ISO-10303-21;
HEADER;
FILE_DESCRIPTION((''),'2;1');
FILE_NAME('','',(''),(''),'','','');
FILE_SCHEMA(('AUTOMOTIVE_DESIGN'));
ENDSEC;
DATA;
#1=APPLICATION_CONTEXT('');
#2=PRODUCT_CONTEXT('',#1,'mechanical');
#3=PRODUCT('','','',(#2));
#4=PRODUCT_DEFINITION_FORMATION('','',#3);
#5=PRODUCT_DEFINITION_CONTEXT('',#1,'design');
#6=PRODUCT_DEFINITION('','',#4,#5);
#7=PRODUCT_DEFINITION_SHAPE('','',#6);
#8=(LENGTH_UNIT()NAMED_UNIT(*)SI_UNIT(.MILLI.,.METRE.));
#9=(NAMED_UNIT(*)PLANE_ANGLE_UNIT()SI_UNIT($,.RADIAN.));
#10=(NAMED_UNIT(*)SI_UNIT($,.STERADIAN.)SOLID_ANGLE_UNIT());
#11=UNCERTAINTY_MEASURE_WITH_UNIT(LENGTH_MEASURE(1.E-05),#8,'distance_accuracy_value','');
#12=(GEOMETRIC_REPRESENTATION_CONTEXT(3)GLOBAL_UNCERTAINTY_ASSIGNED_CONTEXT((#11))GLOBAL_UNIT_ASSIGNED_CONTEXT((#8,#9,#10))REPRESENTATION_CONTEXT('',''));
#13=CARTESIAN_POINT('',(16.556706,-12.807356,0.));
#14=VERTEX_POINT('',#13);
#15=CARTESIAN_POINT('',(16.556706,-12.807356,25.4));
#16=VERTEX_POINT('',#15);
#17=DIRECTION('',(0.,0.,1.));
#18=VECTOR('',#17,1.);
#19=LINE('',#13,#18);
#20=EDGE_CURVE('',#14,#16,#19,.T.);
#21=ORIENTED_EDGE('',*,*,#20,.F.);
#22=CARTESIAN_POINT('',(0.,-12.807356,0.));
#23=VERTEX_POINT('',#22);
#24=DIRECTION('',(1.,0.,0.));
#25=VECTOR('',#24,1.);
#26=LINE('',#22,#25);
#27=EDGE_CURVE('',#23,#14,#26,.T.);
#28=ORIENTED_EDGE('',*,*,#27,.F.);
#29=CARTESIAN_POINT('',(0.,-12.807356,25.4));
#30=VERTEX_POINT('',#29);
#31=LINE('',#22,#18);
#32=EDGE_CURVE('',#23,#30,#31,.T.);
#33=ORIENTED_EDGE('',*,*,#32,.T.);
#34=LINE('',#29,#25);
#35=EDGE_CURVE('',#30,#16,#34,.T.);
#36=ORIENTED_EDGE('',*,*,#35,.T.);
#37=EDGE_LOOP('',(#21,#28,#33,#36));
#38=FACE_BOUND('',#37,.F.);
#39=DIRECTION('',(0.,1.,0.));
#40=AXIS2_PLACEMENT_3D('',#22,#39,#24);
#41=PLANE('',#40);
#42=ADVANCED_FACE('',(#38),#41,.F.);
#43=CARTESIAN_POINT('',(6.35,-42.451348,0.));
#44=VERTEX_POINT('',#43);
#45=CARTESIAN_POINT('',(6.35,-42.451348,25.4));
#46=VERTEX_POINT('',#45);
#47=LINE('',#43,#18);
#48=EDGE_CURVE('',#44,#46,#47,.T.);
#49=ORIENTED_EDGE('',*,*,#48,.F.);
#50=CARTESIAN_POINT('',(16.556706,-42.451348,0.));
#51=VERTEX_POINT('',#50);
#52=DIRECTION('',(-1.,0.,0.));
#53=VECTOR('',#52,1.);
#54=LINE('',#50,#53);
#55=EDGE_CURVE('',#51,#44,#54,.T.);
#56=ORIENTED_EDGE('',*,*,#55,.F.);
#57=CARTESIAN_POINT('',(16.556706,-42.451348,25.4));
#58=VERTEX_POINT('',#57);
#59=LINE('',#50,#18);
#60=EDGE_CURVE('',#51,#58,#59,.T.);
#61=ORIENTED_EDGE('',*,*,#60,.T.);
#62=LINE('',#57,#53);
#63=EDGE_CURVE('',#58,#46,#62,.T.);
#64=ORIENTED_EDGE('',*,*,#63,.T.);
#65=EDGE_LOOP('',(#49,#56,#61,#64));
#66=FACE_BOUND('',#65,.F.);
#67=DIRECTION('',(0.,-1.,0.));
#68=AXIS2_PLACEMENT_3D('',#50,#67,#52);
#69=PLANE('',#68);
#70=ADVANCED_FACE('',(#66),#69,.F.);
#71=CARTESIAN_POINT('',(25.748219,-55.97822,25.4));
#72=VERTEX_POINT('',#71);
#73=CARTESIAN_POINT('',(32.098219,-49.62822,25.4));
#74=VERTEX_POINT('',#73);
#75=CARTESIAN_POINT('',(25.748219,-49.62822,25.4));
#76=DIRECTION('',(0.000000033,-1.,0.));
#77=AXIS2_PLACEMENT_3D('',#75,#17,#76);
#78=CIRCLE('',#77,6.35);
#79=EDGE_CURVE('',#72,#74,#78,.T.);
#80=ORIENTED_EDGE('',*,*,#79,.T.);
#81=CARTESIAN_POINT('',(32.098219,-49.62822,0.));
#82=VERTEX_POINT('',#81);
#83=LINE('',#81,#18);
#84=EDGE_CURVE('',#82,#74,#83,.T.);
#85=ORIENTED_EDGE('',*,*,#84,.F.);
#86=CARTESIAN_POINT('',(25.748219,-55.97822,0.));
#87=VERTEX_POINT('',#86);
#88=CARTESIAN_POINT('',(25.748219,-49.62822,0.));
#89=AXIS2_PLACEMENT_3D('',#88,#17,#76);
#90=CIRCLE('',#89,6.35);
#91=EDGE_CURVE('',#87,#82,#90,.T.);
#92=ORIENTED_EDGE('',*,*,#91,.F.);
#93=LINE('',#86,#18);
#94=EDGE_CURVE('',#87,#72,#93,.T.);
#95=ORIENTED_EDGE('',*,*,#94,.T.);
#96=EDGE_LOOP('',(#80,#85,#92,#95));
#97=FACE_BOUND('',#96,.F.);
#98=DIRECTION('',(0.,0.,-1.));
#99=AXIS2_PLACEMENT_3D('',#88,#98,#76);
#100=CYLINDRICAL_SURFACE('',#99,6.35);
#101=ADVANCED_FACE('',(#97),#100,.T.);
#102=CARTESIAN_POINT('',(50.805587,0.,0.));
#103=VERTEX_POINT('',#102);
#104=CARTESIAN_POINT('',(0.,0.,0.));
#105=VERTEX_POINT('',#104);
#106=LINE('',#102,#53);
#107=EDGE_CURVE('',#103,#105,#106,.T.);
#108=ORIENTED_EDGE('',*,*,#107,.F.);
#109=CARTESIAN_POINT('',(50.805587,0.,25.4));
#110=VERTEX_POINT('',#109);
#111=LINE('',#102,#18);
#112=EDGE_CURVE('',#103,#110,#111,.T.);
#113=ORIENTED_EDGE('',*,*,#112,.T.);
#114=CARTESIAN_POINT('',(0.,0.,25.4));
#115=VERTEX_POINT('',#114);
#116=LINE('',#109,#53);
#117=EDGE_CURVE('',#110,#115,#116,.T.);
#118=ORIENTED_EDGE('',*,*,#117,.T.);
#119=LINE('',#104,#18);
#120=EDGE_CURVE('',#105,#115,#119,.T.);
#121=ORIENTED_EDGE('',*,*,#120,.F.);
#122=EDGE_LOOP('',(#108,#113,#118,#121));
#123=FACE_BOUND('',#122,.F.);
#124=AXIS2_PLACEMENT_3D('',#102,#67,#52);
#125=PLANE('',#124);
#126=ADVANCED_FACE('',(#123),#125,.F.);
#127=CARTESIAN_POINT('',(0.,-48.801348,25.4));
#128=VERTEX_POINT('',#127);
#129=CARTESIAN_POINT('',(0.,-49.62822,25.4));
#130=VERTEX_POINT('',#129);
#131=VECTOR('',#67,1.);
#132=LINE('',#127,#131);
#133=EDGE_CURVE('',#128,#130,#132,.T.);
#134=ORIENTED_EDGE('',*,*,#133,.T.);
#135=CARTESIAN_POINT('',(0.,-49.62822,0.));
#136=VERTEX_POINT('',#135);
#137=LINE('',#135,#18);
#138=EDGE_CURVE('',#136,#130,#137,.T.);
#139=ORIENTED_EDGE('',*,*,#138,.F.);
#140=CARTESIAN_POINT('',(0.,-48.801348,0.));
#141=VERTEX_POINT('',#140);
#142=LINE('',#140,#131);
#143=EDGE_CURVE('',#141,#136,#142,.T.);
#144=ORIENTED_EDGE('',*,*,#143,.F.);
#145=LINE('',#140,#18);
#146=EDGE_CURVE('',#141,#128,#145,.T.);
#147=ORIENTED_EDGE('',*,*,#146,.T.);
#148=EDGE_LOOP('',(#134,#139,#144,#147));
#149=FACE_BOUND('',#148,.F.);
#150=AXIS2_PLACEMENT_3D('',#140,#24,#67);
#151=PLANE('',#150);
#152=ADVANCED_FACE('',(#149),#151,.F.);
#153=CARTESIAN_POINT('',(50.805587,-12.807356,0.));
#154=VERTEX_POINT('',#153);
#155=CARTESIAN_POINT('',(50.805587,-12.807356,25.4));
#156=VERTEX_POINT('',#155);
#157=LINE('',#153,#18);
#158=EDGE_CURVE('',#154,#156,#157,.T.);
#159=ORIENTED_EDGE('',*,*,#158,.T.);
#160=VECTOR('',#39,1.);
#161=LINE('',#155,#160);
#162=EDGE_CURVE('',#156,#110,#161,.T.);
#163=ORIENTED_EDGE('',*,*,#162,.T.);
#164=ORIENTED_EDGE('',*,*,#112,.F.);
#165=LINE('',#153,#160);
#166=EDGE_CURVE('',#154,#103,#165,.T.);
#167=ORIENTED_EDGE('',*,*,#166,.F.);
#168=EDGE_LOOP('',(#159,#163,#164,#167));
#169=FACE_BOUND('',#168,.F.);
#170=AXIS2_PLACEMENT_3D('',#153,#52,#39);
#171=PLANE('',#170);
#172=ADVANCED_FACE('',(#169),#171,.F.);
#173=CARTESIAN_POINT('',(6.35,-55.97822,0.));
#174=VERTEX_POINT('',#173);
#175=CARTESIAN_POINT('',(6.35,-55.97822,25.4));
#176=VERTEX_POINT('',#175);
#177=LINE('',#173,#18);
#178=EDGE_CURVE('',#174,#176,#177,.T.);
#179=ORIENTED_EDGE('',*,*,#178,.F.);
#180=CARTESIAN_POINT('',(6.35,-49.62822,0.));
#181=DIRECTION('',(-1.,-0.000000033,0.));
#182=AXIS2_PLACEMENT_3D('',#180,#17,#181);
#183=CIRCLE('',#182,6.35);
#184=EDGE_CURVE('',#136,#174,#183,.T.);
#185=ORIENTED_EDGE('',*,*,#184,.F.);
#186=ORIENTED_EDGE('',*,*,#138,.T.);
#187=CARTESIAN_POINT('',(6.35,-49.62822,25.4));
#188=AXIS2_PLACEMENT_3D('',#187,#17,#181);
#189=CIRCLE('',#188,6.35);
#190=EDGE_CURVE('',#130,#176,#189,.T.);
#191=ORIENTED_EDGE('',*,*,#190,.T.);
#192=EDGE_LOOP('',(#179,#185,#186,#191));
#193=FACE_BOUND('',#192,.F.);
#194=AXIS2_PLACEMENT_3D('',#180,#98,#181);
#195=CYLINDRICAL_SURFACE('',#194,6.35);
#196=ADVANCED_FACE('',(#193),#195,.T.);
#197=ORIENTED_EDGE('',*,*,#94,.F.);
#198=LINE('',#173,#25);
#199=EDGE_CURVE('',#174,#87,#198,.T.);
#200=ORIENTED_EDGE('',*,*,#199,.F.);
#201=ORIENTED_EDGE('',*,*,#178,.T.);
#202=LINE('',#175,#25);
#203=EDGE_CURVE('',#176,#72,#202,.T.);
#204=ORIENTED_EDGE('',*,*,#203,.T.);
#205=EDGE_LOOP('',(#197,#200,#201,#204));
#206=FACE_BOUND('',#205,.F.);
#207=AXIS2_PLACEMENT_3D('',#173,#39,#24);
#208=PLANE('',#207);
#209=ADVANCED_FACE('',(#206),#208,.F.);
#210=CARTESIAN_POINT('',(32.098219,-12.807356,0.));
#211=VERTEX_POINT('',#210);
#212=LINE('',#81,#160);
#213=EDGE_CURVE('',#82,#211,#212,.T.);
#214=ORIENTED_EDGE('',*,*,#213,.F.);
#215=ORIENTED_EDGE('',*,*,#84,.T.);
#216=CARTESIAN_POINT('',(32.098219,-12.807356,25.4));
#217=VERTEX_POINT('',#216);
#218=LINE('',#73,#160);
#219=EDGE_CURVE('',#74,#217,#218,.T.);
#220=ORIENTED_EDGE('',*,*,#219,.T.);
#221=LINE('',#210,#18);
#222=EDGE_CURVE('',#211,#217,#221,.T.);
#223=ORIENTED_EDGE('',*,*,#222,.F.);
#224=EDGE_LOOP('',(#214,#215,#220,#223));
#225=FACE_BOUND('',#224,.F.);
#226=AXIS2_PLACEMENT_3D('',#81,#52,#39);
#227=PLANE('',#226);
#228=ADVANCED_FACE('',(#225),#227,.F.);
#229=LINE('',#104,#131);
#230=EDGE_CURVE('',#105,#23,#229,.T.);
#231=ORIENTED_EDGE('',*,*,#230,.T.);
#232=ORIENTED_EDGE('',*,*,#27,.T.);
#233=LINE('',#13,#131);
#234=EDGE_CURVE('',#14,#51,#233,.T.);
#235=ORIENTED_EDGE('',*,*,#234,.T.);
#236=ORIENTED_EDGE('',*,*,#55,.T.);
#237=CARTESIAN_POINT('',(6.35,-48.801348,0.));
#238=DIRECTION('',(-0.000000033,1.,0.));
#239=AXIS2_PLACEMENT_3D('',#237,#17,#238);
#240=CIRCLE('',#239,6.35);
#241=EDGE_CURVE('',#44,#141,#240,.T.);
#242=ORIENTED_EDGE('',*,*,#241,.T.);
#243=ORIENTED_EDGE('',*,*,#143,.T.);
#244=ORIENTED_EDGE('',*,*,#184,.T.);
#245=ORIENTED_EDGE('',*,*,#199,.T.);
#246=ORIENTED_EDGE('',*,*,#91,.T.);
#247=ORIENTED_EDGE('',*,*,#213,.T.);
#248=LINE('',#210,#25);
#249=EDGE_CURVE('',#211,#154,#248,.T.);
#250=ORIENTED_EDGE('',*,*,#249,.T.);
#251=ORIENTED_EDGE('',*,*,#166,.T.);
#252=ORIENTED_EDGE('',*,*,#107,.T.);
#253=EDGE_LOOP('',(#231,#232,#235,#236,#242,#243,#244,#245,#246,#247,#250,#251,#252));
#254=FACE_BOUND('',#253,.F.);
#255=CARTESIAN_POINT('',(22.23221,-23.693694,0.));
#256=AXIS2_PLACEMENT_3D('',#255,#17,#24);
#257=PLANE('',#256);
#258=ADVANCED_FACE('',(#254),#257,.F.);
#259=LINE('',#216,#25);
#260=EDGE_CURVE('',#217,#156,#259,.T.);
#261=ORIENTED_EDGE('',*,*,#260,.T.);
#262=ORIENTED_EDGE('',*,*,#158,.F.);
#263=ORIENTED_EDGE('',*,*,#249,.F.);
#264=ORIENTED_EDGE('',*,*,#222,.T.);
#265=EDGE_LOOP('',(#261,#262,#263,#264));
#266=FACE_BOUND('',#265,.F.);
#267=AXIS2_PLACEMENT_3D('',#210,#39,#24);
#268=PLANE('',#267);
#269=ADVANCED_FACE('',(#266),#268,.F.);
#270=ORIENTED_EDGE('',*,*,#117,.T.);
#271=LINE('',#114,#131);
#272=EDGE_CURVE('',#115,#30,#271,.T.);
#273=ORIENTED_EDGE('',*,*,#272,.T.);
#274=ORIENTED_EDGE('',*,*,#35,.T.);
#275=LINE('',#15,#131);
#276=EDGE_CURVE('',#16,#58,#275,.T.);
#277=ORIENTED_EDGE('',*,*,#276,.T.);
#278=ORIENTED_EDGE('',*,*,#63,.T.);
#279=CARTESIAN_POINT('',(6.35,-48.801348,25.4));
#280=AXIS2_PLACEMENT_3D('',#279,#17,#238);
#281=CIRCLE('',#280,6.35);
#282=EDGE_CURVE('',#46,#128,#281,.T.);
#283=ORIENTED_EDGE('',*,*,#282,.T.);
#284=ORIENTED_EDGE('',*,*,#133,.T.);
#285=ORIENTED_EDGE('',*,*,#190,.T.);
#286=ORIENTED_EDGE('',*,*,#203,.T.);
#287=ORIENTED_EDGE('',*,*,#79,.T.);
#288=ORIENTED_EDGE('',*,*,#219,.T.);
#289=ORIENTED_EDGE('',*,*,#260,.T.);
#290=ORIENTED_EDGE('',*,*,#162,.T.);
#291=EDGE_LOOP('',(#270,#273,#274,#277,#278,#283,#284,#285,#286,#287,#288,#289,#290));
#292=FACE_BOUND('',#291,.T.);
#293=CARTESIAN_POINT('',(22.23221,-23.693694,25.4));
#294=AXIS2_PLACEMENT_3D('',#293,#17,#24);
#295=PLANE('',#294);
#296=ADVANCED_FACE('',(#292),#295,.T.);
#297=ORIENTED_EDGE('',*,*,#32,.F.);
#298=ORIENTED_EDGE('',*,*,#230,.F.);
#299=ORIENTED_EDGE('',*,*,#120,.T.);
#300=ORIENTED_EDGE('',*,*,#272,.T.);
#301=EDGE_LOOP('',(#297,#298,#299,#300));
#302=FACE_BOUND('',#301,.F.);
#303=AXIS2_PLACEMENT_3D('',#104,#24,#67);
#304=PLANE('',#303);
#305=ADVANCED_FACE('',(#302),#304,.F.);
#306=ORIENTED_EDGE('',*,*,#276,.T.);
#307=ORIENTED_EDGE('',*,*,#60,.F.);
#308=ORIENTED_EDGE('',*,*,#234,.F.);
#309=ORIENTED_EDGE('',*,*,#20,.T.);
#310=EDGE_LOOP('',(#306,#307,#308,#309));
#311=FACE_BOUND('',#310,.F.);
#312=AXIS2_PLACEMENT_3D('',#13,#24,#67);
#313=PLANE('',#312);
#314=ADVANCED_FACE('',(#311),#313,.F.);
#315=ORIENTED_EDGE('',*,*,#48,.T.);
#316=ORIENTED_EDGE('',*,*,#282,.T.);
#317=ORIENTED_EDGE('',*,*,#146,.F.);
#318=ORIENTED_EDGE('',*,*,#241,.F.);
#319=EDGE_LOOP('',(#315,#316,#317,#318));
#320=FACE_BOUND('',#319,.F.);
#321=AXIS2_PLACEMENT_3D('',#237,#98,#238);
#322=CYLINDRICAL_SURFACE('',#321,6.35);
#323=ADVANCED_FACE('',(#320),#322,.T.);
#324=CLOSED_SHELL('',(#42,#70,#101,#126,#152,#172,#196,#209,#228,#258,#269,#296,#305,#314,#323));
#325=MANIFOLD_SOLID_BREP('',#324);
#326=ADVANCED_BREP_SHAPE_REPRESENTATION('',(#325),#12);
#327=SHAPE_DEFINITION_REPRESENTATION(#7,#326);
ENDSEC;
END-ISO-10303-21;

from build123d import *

# Parameters (mm, degrees)
F1_DEPTH = 25.4


with BuildPart() as f1:
    # F0 (on Top) → F1 (new body)
    with BuildSketch(Plane.XY):
        with BuildLine():
            Line((50.805587, 0), (0, 0))
            Line((0, 0), (0, -12.807356))
            Line((0, -12.807356), (16.556706, -12.807356))
            Line((16.556706, -12.807356), (16.556706, -42.451348))
            Line((16.556706, -42.451348), (6.35, -42.451348))
            ThreePointArc((6.35, -42.451348), (1.859872, -44.31122), (0, -48.801348))
            Line((0, -48.801348), (0, -49.62822))
            ThreePointArc((0, -49.62822), (1.859872, -54.118348), (6.35, -55.97822))
            Line((6.35, -55.97822), (25.748219, -55.97822))
            ThreePointArc((25.748219, -55.97822), (30.238347, -54.118348), (32.098219, -49.62822))
            Line((32.098219, -49.62822), (32.098219, -42.451348))
            Line((32.098219, -42.451348), (32.098219, -12.807356))
            Line((32.098219, -12.807356), (50.805587, -12.807356))
            Line((50.805587, -12.807356), (50.805587, 0))
        make_face()
    extrude(amount=F1_DEPTH)


solid = f1.part
